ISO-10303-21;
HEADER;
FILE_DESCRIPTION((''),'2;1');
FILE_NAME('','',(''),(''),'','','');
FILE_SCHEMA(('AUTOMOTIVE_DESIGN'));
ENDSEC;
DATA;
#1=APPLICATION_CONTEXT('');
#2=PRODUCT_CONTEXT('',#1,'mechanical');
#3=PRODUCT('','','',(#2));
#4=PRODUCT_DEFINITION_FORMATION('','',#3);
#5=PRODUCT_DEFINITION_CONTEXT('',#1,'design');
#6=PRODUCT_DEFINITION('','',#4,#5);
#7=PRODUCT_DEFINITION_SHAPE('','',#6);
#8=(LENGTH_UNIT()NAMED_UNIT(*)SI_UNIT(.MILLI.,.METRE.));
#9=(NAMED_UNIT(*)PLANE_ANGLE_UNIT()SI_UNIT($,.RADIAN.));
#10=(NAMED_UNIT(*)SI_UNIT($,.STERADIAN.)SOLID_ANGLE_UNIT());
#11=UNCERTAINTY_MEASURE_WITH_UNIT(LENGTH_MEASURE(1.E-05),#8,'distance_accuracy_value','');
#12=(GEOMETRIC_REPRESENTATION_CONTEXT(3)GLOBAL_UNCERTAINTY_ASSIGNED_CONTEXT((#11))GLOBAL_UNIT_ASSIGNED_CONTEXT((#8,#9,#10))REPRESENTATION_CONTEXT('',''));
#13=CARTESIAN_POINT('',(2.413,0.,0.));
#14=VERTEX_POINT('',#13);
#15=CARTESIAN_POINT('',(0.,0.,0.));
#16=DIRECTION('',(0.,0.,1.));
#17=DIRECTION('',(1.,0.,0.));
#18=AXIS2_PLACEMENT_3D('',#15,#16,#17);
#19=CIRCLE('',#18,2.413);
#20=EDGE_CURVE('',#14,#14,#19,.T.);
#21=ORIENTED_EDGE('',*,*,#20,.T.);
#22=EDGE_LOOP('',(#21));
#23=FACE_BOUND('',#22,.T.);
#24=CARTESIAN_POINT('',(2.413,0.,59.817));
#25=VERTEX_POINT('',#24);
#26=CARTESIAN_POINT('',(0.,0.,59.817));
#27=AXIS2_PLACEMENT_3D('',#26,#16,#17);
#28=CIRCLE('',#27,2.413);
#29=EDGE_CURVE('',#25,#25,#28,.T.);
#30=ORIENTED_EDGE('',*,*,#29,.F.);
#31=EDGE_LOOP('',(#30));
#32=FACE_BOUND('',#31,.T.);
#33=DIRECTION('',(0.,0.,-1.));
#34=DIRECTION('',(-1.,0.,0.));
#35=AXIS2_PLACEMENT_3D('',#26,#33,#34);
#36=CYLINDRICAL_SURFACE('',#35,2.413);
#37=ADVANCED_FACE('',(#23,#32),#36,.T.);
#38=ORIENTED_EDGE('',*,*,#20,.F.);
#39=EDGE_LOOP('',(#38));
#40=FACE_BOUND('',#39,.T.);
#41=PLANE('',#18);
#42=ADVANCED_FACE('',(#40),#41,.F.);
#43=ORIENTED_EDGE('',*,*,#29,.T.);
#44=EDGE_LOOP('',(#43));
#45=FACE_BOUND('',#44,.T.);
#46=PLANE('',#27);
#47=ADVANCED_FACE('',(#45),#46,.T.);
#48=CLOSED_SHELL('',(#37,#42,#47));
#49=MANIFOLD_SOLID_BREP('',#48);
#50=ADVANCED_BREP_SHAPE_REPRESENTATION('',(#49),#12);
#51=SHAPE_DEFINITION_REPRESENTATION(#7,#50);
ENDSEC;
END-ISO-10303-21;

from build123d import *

# Parameters (mm, degrees)
SKETCH1_R           = 2.413
BOSS_EXTRUDE1_DEPTH = 59.817


with BuildPart() as part:
    # Sketch1 → Boss-Extrude1 (new body)
    with BuildSketch(Plane.XY):
        Circle(SKETCH1_R)
    extrude(amount=BOSS_EXTRUDE1_DEPTH)


solid = part.part
